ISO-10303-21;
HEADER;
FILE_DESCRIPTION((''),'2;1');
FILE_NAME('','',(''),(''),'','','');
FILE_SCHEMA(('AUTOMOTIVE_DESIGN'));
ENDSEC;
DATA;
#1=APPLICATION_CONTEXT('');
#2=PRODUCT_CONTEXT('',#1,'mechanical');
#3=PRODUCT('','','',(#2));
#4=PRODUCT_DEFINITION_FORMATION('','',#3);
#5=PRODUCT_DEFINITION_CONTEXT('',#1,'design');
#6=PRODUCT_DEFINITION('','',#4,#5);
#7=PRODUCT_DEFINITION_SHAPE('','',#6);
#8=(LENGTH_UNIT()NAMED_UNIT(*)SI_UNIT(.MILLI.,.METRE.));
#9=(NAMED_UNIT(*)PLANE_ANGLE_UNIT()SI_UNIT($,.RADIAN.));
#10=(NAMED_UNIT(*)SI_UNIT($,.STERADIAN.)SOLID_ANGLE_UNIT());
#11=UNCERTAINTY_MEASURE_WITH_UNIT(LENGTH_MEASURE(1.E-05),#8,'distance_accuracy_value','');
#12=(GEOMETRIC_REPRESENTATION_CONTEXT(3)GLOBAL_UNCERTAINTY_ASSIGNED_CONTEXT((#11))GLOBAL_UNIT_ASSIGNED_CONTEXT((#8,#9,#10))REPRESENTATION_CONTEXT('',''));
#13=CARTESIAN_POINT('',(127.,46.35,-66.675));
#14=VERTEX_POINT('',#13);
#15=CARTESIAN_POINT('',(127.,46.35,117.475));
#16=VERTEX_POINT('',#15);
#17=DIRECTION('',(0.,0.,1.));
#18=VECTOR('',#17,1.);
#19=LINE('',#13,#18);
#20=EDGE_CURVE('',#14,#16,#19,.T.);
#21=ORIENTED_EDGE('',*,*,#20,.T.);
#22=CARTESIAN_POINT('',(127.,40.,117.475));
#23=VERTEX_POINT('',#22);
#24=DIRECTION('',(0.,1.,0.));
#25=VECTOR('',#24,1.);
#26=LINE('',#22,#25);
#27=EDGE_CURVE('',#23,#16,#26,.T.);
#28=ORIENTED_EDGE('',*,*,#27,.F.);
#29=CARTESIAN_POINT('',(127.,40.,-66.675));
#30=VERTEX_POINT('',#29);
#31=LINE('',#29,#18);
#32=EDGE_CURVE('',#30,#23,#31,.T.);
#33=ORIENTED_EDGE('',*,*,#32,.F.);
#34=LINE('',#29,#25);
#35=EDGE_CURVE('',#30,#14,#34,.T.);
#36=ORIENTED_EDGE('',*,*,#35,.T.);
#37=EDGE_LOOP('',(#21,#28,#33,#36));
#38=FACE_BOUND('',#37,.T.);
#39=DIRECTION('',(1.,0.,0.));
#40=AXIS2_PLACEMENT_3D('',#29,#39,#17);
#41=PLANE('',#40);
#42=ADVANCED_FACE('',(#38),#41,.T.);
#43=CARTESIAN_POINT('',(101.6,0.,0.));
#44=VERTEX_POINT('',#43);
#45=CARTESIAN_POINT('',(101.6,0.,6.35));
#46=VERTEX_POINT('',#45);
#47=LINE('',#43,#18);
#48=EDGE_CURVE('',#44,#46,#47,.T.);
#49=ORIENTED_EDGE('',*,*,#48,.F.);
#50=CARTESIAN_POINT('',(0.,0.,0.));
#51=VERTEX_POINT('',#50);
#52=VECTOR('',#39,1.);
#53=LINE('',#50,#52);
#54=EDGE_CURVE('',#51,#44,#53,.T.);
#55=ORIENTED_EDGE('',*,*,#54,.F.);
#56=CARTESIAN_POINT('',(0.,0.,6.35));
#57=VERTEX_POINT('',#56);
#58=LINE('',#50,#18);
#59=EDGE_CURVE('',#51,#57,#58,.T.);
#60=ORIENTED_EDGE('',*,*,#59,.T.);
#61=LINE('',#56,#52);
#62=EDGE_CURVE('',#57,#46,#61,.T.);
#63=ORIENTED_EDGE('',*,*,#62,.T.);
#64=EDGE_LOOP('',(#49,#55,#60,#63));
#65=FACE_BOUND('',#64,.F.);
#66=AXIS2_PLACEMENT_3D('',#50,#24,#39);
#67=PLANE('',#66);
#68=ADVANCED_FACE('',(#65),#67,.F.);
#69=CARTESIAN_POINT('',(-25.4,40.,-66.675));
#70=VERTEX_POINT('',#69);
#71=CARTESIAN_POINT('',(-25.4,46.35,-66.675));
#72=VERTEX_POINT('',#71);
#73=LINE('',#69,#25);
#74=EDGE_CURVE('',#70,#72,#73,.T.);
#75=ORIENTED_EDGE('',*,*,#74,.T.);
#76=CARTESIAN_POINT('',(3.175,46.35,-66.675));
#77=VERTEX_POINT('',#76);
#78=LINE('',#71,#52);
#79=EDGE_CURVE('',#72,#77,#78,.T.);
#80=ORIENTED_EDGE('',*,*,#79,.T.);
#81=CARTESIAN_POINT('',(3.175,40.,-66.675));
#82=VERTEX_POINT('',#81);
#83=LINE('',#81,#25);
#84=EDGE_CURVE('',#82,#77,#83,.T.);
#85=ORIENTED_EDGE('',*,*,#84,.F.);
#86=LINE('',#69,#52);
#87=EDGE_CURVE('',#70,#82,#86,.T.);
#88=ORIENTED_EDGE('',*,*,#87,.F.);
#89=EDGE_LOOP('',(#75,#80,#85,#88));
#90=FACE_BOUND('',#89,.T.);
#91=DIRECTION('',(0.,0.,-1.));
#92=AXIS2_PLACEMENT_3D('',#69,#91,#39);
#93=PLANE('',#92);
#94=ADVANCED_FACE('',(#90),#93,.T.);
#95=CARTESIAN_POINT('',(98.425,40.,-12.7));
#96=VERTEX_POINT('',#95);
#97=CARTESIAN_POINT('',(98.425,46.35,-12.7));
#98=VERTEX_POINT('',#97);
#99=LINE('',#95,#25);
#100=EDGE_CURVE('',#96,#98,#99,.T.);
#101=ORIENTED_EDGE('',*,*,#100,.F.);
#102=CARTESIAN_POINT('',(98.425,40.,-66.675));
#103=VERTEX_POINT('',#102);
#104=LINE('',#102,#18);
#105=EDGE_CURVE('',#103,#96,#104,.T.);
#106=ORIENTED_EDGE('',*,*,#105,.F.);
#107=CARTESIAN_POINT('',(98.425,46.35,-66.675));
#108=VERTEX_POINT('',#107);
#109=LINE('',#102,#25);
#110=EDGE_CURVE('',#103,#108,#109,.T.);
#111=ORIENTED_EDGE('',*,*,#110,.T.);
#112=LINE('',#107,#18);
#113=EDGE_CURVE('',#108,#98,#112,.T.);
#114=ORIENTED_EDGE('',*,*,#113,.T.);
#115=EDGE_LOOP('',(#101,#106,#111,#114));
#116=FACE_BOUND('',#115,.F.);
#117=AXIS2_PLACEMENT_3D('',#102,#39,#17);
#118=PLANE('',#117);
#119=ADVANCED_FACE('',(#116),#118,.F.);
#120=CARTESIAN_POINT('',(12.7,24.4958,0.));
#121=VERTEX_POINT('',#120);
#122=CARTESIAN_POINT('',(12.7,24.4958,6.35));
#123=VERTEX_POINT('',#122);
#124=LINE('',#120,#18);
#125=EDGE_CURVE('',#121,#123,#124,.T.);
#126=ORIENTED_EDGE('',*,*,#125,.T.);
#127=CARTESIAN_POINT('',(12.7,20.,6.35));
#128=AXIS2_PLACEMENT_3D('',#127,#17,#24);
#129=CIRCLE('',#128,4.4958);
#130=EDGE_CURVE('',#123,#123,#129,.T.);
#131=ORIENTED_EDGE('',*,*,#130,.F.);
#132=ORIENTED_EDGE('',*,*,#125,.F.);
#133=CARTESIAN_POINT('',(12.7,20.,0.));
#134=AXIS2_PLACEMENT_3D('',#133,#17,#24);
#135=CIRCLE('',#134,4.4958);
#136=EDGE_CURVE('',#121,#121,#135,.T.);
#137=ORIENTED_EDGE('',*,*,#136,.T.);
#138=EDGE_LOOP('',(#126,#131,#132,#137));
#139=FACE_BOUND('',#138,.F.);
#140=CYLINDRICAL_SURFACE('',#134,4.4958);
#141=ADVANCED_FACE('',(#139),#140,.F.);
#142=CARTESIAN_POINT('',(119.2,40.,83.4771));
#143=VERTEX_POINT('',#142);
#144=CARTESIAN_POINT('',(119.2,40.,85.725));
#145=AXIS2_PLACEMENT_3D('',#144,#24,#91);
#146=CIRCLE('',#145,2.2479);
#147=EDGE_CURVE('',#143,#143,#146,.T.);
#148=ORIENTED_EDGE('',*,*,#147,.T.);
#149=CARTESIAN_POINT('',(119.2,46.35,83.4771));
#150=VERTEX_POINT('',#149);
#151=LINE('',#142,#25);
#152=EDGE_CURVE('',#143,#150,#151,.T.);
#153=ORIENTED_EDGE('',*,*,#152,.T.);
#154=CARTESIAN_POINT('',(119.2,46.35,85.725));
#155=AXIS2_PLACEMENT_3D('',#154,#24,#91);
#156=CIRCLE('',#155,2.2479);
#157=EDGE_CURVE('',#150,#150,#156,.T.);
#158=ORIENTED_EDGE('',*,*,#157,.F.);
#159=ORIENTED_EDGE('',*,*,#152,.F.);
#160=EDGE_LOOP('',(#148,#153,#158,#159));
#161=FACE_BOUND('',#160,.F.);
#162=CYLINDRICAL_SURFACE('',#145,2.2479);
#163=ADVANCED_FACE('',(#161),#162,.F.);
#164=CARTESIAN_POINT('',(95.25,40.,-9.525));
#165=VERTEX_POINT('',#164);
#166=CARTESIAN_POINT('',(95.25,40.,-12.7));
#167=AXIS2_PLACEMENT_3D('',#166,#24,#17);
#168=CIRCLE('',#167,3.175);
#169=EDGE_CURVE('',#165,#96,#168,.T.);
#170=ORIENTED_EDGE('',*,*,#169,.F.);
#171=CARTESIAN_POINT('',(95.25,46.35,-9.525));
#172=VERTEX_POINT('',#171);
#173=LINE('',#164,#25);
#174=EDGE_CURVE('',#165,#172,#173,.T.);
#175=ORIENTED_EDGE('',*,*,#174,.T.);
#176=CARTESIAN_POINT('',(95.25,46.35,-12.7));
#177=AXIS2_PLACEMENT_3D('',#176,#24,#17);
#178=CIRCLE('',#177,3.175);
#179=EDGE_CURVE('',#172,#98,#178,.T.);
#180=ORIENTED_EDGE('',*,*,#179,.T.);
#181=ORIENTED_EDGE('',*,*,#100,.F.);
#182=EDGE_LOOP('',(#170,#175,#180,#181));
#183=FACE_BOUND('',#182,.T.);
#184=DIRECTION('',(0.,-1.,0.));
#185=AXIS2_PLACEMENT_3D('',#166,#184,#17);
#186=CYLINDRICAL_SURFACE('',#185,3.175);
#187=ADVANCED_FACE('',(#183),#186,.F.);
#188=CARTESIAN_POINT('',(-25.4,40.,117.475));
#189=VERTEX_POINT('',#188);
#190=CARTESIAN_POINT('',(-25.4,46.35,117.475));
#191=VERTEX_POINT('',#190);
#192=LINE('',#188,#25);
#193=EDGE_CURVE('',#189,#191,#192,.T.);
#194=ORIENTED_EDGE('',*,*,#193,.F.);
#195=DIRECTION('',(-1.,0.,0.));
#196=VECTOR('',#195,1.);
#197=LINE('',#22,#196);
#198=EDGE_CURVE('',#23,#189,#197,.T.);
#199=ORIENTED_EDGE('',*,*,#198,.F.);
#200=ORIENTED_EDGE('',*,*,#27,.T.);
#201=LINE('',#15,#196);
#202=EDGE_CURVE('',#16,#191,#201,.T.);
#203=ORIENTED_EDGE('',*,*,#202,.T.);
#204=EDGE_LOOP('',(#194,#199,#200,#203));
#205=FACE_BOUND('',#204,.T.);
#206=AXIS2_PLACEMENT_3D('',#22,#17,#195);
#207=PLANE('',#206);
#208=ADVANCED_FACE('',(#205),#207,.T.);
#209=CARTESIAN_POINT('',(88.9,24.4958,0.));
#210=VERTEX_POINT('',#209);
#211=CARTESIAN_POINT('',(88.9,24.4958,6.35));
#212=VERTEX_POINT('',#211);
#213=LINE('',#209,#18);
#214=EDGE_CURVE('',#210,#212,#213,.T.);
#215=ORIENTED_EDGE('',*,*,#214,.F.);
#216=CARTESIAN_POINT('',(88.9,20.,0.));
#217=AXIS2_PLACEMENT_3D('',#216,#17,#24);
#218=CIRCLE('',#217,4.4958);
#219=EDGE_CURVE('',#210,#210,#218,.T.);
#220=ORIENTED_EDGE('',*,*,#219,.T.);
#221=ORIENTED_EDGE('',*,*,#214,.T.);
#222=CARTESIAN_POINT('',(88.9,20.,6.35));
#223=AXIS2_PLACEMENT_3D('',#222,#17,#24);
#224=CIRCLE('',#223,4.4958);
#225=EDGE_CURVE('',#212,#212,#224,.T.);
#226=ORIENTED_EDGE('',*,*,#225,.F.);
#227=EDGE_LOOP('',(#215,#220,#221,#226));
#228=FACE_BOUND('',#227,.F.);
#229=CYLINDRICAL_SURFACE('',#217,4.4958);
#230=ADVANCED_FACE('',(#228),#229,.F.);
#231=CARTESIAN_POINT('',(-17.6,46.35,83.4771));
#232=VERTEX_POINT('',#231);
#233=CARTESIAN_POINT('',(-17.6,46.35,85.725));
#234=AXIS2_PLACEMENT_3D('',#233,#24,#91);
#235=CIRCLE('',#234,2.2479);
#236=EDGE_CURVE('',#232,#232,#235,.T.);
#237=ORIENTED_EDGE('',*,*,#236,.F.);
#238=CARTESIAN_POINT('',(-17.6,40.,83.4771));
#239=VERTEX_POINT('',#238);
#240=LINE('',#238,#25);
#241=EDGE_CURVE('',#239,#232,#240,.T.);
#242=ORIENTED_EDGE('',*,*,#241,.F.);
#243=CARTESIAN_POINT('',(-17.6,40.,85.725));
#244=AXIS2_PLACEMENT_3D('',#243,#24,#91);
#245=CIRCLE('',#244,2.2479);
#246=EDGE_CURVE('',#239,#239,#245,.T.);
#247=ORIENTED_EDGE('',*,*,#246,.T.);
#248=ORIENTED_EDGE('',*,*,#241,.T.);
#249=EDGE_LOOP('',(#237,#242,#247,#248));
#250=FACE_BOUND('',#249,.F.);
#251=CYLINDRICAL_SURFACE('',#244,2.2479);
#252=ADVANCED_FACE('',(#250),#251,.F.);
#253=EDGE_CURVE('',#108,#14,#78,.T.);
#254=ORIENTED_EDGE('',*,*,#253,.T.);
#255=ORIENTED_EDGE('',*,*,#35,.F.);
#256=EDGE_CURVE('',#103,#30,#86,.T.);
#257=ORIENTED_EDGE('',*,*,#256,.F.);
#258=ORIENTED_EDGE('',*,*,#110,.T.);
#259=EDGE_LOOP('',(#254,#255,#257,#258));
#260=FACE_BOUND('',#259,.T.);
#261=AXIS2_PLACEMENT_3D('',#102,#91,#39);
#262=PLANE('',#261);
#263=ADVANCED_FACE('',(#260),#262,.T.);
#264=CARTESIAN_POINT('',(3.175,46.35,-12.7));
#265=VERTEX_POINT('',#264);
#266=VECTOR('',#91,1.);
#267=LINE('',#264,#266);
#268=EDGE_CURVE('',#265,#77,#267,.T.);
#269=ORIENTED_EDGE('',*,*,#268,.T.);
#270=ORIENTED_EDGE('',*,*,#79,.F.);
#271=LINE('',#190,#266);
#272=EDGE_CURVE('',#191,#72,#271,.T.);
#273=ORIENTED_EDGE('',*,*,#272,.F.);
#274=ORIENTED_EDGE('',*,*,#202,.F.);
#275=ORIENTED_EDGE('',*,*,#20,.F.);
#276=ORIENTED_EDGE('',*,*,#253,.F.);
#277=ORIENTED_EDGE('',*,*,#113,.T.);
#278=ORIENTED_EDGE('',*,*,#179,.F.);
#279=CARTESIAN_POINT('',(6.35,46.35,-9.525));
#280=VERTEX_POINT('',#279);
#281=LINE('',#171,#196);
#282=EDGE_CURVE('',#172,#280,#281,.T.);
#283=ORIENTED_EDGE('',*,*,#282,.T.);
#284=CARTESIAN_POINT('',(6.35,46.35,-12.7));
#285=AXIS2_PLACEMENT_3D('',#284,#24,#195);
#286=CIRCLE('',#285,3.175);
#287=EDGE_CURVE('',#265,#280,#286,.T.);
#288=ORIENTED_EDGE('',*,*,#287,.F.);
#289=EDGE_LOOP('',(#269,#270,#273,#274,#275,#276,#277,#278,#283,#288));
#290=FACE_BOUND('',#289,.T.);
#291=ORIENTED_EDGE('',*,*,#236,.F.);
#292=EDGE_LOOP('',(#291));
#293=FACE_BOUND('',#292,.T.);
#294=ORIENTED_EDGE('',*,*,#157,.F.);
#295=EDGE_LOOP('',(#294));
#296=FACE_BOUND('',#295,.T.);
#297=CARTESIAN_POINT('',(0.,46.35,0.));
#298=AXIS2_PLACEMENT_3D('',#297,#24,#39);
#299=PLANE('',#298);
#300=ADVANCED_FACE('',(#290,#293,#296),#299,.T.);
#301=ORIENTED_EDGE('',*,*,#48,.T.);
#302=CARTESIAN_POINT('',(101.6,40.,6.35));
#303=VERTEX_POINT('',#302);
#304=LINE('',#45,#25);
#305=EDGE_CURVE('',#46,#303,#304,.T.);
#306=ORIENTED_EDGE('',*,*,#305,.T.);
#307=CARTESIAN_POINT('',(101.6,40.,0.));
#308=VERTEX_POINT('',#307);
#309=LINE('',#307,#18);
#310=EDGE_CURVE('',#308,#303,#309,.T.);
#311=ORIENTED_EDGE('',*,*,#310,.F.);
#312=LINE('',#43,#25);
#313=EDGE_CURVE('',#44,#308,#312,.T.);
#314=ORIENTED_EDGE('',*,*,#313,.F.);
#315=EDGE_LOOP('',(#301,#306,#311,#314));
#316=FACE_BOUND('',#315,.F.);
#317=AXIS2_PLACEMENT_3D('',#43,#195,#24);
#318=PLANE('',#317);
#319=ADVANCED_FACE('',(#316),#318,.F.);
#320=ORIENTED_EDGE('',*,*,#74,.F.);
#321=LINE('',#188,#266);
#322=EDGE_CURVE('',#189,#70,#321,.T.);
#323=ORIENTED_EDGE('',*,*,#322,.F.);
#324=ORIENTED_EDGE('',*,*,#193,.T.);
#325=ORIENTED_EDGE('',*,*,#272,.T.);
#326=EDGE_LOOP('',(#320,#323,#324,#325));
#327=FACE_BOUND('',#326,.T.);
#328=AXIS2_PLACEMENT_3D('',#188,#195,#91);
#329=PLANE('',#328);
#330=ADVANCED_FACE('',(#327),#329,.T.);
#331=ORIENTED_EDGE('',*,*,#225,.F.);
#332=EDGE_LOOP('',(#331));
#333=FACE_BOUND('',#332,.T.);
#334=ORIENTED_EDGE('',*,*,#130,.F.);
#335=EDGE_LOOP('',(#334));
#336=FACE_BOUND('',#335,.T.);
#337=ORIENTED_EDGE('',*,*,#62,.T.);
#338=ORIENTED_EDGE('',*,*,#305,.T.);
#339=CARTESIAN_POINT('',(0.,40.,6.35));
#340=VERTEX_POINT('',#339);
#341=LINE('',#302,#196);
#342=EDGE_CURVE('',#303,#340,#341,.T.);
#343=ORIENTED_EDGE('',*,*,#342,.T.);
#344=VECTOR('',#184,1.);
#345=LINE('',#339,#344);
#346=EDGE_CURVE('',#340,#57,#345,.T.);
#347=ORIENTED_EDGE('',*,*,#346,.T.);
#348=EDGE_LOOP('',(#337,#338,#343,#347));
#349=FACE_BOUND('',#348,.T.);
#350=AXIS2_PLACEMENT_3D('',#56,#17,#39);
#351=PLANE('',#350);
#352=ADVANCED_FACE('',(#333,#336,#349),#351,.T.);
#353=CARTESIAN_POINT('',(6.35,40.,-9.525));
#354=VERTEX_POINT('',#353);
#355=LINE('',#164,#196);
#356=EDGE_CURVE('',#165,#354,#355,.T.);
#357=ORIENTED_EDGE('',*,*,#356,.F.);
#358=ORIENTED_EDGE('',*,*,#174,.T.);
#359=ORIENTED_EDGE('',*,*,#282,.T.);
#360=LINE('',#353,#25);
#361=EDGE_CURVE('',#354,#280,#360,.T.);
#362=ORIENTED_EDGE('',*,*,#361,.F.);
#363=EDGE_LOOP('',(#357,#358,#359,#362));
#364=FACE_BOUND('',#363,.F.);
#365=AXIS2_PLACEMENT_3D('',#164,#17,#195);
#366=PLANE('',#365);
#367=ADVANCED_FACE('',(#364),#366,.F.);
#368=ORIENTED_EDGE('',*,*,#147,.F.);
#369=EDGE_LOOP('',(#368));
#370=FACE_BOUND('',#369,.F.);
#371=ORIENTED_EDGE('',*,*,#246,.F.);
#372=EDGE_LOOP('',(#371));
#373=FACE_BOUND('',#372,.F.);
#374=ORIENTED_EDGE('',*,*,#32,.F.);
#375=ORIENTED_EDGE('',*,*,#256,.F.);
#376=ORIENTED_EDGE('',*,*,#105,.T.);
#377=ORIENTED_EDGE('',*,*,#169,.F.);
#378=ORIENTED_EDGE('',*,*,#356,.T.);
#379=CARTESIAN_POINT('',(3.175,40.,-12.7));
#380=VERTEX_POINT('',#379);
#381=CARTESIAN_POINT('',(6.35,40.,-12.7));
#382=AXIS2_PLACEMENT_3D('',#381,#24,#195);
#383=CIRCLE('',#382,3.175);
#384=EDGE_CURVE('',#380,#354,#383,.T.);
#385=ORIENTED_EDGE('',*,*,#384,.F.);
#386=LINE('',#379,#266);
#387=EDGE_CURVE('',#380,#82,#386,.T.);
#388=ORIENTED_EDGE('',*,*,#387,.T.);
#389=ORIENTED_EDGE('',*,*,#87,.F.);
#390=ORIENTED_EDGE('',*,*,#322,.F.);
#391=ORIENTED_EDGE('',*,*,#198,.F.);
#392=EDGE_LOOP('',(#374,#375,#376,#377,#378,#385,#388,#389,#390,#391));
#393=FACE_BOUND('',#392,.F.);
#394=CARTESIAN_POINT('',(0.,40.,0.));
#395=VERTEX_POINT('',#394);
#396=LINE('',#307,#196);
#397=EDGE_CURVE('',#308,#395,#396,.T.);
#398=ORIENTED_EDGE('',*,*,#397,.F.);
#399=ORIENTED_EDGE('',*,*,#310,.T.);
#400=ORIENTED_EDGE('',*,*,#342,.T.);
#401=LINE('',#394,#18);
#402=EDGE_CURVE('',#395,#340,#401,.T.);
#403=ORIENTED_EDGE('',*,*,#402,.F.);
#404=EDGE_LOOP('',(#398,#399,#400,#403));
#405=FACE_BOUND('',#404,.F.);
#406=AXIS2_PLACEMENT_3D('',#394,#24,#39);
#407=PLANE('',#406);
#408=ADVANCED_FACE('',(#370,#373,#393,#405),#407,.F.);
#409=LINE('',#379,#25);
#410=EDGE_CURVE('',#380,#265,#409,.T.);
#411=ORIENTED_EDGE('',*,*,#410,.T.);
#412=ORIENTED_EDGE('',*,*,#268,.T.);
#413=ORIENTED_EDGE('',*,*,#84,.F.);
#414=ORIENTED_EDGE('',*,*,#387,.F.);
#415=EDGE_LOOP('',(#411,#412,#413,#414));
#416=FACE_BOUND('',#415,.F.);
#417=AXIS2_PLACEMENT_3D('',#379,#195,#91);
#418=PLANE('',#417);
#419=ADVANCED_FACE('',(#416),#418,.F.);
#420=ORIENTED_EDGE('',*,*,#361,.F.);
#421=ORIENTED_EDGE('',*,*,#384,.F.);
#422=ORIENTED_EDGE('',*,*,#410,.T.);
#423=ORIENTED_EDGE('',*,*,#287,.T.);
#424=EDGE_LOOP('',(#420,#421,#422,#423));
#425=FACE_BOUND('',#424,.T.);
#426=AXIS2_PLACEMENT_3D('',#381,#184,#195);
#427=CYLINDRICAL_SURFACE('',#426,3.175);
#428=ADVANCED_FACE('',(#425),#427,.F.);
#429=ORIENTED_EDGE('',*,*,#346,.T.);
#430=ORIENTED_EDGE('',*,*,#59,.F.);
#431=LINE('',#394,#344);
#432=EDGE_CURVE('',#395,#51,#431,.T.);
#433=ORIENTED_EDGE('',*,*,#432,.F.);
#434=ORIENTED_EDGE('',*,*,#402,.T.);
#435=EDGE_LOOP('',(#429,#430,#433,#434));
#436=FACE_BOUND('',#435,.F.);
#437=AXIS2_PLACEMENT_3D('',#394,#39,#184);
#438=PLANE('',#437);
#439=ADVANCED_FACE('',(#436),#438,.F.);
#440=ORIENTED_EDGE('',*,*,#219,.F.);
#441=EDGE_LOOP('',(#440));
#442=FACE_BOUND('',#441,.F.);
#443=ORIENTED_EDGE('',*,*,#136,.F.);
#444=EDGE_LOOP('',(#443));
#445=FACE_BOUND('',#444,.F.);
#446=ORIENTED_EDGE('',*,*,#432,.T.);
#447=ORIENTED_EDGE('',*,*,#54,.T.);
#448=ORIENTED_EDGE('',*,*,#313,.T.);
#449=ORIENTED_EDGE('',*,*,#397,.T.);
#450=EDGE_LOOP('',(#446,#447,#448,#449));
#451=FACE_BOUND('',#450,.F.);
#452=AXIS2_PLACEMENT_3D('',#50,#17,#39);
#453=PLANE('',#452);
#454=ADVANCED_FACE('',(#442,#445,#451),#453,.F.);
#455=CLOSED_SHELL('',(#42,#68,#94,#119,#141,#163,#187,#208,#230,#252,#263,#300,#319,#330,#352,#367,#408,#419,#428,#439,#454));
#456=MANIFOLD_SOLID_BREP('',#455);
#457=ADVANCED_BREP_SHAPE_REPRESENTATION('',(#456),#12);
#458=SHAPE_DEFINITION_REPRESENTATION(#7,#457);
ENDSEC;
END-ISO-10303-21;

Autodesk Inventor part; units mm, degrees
ref_plane "YZ Plane" through (0, 0, 0) normal (1, 0, 0) x (0, 1, 0)
ref_plane "XZ Plane" through (0, 0, 0) normal (0, 1, 0) x (-1, 0, 0)
ref_plane "XY Plane" through (0, 0, 0) normal (0, 0, 1) x (1, 0, 0)
sketch "Sketch1" plane through (0, 0, 0) normal (0, 0, 1) x (1, 0, 0)
  line L0 (0, 0) -> (101.6, 0)
  line L1 (101.6, 0) -> (101.6, 40)
  line L2 (101.6, 40) -> (0, 40)
  line L3 (0, 40) -> (0, 0)
  dimension "d0" = 101.6
  dimension "d1" = 40
extrude "Mounting Plate" add sketch "Sketch1" along normal blind 6.35
sketch "Sketch2" plane through (0, 40, 0) normal (0, 1, 0) x (1, 0, 0)
  line L0 (0, -6.35) -> (101.6, -6.35) projected
  line L1 (101.6, 0) -> (101.6, -6.35) projected
  line L2 (101.6, 0) -> (0, 0) projected
  line L3 (0, 0) -> (0, -6.35) projected
  line L4 (-25.4, 66.675) -> (127, 66.675)
  line L5 (127, 66.675) -> (127, -117.475)
  line L6 (127, -117.475) -> (-25.4, -117.475)
  line L7 (-25.4, -117.475) -> (-25.4, 66.675)
  line L8 (3.175, 66.675) -> (98.425, 66.675)
  line L9 (98.425, 66.675) -> (98.425, 12.7)
  line L10 (95.25, 9.525) -> (6.35, 9.525)
  line L11 (3.175, 12.7) -> (3.175, 66.675)
  arc A0 (3.175, 12.7) -> (6.35, 9.525) centre (6.35, 12.7) ccw
  arc A1 (95.25, 9.525) -> (98.425, 12.7) centre (95.25, 12.7) ccw
  point P0 (98.425, 9.525)
  point P1 (3.175, 9.525)
  point P2 (50.8, 66.675)
  point P3 (50.8, 0)
  point P4 (50.8, 9.525)
  dimension "d4" = 152.4
  dimension "d5" = 184.15
  dimension "d6" = 95.25
  dimension "d7" = 57.15
  dimension "d8" = 9.525
  dimension "d9" = 3.175
extrude "Back Plate" add sketch "Sketch2" along normal blind 6.35 contours L3 L2 L1 L0 | L4 L11 A0 L10 A1 L9 L5 L6 L7
sketch "Sketch3" plane through (0, 0, 0) normal (0, 0, -1) x (-1, 0, 0)
  line L0 (0, 0) -> (-101.6, 0) projected
  line L1 (-101.6, 0) -> (-101.6, 40) projected
  line L2 (-88.9, 20) -> (-12.7, 20)
  line L3 (-6.35, 40) -> (-95.25, 40) projected
  point P0 (-50.8, 20)
  point P1 (-50.8, 40)
  dimension "d12" = 76.2
  dimension "d13" = 20
hole "Hole1" at (88.9, 20, 0) at (12.7, 20, 0) direction (0, 0, 1) diameter 8.9916 end through all clearance for "Flat Head Machine Screw" size "M8" standard "Ansi Metric M Profile"
sketch "Sketch4" plane through (0, 40, 0) normal (0, -1, 0) x (1, 0, 0)
  line L0 (-25.4, 117.475) -> (127, 117.475) projected
  line L1 (0, 6.35) -> (101.6, 6.35) projected
  line L2 (-17.6, 85.725) -> (119.2, 85.725)
  point P0 (50.8, 85.725)
  point P1 (50.8, 117.475)
  dimension "d21" = 136.8
  dimension "d22" = 31.75
hole "Hole2" at (-17.6, 40, 85.725) at (119.2, 40, 85.725) direction (0, 1, 0) diameter 4.4958 end through all clearance for "Flat Head Machine Screw" size "M4" standard "Ansi Metric M Profile"
properties part number "LIDAR Bracket"
